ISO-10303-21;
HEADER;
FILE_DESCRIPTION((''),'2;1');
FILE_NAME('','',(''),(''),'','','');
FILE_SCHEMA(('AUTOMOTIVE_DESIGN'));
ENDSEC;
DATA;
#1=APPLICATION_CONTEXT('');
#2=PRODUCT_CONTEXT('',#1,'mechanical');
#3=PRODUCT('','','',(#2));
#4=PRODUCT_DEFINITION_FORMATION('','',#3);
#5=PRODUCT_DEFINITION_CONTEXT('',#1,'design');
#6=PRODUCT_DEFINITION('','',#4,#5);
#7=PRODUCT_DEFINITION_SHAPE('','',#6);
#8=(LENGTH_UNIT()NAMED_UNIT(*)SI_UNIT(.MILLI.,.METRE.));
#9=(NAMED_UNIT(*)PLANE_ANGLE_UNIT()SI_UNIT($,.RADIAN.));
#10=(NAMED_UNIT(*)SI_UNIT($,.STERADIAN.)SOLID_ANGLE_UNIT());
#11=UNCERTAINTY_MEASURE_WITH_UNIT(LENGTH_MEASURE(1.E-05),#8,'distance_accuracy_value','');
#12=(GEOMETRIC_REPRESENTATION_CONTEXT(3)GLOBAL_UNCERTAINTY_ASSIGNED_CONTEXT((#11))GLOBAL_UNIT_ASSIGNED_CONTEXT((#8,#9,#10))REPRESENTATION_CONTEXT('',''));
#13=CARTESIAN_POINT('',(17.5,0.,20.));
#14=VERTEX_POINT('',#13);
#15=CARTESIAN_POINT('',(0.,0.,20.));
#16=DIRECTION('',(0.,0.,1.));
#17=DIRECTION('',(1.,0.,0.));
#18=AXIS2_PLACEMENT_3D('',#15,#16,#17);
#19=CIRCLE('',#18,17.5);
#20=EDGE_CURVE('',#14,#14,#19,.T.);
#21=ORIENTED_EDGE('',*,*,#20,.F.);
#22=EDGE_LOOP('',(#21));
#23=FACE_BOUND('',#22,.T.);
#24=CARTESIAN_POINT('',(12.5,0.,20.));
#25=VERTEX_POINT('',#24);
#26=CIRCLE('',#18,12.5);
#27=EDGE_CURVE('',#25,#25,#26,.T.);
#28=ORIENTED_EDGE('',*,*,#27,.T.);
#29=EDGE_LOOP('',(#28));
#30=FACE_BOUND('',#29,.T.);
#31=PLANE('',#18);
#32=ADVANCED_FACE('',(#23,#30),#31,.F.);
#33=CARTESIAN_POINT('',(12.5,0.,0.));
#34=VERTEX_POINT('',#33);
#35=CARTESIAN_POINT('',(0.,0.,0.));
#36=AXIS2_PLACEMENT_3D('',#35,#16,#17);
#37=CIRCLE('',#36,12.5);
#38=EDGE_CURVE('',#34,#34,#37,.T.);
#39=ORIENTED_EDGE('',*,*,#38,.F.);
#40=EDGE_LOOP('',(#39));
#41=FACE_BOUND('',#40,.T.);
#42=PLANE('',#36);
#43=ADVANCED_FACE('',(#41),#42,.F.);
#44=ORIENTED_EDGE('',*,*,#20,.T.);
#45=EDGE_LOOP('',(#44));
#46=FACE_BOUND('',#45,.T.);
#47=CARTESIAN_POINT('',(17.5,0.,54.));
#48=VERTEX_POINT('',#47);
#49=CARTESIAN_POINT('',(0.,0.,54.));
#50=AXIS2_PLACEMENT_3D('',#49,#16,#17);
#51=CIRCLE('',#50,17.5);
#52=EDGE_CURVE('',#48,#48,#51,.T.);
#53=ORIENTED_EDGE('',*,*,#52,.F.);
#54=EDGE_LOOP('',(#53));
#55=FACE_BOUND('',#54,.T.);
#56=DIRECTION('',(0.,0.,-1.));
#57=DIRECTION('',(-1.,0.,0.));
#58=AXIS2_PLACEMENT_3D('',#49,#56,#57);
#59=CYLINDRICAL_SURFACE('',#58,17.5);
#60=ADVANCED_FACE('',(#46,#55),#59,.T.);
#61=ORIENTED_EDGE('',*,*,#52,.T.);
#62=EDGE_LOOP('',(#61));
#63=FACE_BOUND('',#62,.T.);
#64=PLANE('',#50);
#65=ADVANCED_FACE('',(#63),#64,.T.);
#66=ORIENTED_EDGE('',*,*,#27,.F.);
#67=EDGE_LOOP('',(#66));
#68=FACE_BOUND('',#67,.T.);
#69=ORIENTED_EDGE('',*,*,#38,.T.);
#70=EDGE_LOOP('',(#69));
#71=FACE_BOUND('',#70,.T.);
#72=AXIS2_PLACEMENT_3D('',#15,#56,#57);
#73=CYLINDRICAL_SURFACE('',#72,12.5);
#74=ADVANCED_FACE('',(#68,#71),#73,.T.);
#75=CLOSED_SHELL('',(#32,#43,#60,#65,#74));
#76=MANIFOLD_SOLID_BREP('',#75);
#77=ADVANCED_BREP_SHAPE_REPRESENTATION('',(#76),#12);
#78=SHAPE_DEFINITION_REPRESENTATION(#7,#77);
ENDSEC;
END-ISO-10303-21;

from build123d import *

# Parameters (mm, degrees)
SKETCH_1_R      = 12.5
EXTRUDE_1_DEPTH = 20
SKETCH_2_R      = 17.5
EXTRUDE_2_DEPTH = 34


with BuildPart() as part:
    # 草图1 → 凸台-拉伸1 (new body)
    with BuildSketch(Plane.XY):
        Circle(SKETCH_1_R)
    extrude(amount=EXTRUDE_1_DEPTH)

    # 草图2 → 凸台-拉伸2 (add)
    with BuildSketch(Plane.XY.offset(20)):
        Circle(SKETCH_2_R)
    extrude(amount=EXTRUDE_2_DEPTH)


solid = part.part
